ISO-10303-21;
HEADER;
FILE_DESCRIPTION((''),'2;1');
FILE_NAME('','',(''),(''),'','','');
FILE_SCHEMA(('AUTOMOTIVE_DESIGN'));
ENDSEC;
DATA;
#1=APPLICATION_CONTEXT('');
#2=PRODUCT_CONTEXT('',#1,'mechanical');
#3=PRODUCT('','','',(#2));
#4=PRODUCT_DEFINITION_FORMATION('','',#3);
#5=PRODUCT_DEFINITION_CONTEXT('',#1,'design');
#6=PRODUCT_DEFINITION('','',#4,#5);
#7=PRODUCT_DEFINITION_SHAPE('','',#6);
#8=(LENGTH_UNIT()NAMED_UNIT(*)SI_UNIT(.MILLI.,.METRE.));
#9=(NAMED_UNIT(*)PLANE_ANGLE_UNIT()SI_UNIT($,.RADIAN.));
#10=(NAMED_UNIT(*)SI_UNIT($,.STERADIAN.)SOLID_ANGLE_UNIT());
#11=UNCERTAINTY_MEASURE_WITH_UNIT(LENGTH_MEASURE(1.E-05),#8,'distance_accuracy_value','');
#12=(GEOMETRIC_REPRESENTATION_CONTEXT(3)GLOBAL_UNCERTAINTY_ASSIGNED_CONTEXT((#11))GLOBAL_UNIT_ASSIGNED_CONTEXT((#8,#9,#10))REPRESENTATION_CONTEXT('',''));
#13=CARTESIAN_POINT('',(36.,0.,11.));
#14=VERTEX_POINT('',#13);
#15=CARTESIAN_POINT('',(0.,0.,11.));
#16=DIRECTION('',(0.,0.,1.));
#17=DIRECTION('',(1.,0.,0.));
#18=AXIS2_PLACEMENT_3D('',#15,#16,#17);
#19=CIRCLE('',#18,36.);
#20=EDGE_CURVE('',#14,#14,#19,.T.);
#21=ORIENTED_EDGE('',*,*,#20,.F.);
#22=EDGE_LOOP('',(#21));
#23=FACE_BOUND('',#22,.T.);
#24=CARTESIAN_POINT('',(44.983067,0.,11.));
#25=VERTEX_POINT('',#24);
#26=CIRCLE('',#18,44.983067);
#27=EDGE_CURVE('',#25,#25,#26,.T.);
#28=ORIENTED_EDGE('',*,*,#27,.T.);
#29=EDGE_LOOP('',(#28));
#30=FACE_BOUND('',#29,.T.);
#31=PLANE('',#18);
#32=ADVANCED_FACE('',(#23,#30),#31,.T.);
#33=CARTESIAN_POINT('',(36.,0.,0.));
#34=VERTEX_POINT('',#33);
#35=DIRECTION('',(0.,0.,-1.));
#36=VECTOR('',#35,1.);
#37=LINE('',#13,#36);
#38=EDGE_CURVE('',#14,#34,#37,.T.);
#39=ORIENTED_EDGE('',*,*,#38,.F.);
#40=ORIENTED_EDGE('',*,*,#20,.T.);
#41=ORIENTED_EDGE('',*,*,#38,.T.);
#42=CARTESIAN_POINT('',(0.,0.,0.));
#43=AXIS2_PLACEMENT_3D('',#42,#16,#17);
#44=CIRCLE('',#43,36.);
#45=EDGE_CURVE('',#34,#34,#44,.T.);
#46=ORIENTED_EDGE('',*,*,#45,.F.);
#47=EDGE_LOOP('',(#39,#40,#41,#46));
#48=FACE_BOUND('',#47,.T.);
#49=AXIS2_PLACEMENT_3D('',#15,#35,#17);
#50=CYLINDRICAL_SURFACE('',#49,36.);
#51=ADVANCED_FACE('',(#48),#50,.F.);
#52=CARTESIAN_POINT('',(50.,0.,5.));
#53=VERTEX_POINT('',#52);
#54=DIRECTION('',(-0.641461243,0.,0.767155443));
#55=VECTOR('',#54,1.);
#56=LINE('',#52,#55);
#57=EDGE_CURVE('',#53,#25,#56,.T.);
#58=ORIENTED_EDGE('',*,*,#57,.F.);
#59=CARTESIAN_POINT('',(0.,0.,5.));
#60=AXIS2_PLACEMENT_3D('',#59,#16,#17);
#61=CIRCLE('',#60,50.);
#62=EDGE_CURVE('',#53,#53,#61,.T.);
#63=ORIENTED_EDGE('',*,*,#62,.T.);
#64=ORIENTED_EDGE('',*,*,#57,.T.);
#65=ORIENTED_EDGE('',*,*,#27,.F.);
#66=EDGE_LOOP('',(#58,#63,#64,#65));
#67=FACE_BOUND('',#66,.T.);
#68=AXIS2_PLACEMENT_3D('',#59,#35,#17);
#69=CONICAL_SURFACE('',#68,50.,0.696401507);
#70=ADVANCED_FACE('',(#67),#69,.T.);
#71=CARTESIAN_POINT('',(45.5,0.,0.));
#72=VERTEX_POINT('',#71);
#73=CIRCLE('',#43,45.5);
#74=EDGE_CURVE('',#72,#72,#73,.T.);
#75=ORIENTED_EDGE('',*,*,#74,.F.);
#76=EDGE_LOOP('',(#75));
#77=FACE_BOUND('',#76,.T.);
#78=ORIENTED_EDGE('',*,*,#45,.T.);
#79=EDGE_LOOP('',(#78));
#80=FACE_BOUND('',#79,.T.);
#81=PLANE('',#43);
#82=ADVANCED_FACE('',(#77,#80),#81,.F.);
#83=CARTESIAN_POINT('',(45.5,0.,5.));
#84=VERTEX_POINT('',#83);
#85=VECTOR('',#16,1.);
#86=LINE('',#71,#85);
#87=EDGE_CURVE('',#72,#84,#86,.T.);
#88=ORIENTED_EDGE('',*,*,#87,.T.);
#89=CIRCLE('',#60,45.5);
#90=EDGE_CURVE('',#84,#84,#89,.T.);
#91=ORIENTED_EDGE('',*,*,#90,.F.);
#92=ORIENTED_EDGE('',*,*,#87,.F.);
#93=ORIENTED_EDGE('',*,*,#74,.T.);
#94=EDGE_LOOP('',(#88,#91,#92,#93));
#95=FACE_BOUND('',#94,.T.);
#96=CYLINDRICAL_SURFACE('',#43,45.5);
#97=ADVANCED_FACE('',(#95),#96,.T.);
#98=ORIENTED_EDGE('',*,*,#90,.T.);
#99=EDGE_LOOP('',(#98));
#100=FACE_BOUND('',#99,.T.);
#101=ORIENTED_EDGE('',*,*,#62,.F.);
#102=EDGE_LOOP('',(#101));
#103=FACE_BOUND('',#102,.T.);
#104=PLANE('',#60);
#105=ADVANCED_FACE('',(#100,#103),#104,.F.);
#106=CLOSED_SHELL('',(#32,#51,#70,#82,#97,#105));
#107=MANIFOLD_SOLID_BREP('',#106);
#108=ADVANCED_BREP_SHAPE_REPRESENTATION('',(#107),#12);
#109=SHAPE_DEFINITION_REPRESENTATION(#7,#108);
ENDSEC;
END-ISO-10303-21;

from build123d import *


with BuildPart() as part:
    # Sketch → Revolve (revolve)
    with BuildSketch(Plane.XZ):
        Polygon((36, 0), (45.5, 0), (45.5, 5), (50, 5), (44.983067, 11), (36, 11), align=None)
    revolve(axis=Axis((0, 0, 0), (0, 0, 1)))


solid = part.part
